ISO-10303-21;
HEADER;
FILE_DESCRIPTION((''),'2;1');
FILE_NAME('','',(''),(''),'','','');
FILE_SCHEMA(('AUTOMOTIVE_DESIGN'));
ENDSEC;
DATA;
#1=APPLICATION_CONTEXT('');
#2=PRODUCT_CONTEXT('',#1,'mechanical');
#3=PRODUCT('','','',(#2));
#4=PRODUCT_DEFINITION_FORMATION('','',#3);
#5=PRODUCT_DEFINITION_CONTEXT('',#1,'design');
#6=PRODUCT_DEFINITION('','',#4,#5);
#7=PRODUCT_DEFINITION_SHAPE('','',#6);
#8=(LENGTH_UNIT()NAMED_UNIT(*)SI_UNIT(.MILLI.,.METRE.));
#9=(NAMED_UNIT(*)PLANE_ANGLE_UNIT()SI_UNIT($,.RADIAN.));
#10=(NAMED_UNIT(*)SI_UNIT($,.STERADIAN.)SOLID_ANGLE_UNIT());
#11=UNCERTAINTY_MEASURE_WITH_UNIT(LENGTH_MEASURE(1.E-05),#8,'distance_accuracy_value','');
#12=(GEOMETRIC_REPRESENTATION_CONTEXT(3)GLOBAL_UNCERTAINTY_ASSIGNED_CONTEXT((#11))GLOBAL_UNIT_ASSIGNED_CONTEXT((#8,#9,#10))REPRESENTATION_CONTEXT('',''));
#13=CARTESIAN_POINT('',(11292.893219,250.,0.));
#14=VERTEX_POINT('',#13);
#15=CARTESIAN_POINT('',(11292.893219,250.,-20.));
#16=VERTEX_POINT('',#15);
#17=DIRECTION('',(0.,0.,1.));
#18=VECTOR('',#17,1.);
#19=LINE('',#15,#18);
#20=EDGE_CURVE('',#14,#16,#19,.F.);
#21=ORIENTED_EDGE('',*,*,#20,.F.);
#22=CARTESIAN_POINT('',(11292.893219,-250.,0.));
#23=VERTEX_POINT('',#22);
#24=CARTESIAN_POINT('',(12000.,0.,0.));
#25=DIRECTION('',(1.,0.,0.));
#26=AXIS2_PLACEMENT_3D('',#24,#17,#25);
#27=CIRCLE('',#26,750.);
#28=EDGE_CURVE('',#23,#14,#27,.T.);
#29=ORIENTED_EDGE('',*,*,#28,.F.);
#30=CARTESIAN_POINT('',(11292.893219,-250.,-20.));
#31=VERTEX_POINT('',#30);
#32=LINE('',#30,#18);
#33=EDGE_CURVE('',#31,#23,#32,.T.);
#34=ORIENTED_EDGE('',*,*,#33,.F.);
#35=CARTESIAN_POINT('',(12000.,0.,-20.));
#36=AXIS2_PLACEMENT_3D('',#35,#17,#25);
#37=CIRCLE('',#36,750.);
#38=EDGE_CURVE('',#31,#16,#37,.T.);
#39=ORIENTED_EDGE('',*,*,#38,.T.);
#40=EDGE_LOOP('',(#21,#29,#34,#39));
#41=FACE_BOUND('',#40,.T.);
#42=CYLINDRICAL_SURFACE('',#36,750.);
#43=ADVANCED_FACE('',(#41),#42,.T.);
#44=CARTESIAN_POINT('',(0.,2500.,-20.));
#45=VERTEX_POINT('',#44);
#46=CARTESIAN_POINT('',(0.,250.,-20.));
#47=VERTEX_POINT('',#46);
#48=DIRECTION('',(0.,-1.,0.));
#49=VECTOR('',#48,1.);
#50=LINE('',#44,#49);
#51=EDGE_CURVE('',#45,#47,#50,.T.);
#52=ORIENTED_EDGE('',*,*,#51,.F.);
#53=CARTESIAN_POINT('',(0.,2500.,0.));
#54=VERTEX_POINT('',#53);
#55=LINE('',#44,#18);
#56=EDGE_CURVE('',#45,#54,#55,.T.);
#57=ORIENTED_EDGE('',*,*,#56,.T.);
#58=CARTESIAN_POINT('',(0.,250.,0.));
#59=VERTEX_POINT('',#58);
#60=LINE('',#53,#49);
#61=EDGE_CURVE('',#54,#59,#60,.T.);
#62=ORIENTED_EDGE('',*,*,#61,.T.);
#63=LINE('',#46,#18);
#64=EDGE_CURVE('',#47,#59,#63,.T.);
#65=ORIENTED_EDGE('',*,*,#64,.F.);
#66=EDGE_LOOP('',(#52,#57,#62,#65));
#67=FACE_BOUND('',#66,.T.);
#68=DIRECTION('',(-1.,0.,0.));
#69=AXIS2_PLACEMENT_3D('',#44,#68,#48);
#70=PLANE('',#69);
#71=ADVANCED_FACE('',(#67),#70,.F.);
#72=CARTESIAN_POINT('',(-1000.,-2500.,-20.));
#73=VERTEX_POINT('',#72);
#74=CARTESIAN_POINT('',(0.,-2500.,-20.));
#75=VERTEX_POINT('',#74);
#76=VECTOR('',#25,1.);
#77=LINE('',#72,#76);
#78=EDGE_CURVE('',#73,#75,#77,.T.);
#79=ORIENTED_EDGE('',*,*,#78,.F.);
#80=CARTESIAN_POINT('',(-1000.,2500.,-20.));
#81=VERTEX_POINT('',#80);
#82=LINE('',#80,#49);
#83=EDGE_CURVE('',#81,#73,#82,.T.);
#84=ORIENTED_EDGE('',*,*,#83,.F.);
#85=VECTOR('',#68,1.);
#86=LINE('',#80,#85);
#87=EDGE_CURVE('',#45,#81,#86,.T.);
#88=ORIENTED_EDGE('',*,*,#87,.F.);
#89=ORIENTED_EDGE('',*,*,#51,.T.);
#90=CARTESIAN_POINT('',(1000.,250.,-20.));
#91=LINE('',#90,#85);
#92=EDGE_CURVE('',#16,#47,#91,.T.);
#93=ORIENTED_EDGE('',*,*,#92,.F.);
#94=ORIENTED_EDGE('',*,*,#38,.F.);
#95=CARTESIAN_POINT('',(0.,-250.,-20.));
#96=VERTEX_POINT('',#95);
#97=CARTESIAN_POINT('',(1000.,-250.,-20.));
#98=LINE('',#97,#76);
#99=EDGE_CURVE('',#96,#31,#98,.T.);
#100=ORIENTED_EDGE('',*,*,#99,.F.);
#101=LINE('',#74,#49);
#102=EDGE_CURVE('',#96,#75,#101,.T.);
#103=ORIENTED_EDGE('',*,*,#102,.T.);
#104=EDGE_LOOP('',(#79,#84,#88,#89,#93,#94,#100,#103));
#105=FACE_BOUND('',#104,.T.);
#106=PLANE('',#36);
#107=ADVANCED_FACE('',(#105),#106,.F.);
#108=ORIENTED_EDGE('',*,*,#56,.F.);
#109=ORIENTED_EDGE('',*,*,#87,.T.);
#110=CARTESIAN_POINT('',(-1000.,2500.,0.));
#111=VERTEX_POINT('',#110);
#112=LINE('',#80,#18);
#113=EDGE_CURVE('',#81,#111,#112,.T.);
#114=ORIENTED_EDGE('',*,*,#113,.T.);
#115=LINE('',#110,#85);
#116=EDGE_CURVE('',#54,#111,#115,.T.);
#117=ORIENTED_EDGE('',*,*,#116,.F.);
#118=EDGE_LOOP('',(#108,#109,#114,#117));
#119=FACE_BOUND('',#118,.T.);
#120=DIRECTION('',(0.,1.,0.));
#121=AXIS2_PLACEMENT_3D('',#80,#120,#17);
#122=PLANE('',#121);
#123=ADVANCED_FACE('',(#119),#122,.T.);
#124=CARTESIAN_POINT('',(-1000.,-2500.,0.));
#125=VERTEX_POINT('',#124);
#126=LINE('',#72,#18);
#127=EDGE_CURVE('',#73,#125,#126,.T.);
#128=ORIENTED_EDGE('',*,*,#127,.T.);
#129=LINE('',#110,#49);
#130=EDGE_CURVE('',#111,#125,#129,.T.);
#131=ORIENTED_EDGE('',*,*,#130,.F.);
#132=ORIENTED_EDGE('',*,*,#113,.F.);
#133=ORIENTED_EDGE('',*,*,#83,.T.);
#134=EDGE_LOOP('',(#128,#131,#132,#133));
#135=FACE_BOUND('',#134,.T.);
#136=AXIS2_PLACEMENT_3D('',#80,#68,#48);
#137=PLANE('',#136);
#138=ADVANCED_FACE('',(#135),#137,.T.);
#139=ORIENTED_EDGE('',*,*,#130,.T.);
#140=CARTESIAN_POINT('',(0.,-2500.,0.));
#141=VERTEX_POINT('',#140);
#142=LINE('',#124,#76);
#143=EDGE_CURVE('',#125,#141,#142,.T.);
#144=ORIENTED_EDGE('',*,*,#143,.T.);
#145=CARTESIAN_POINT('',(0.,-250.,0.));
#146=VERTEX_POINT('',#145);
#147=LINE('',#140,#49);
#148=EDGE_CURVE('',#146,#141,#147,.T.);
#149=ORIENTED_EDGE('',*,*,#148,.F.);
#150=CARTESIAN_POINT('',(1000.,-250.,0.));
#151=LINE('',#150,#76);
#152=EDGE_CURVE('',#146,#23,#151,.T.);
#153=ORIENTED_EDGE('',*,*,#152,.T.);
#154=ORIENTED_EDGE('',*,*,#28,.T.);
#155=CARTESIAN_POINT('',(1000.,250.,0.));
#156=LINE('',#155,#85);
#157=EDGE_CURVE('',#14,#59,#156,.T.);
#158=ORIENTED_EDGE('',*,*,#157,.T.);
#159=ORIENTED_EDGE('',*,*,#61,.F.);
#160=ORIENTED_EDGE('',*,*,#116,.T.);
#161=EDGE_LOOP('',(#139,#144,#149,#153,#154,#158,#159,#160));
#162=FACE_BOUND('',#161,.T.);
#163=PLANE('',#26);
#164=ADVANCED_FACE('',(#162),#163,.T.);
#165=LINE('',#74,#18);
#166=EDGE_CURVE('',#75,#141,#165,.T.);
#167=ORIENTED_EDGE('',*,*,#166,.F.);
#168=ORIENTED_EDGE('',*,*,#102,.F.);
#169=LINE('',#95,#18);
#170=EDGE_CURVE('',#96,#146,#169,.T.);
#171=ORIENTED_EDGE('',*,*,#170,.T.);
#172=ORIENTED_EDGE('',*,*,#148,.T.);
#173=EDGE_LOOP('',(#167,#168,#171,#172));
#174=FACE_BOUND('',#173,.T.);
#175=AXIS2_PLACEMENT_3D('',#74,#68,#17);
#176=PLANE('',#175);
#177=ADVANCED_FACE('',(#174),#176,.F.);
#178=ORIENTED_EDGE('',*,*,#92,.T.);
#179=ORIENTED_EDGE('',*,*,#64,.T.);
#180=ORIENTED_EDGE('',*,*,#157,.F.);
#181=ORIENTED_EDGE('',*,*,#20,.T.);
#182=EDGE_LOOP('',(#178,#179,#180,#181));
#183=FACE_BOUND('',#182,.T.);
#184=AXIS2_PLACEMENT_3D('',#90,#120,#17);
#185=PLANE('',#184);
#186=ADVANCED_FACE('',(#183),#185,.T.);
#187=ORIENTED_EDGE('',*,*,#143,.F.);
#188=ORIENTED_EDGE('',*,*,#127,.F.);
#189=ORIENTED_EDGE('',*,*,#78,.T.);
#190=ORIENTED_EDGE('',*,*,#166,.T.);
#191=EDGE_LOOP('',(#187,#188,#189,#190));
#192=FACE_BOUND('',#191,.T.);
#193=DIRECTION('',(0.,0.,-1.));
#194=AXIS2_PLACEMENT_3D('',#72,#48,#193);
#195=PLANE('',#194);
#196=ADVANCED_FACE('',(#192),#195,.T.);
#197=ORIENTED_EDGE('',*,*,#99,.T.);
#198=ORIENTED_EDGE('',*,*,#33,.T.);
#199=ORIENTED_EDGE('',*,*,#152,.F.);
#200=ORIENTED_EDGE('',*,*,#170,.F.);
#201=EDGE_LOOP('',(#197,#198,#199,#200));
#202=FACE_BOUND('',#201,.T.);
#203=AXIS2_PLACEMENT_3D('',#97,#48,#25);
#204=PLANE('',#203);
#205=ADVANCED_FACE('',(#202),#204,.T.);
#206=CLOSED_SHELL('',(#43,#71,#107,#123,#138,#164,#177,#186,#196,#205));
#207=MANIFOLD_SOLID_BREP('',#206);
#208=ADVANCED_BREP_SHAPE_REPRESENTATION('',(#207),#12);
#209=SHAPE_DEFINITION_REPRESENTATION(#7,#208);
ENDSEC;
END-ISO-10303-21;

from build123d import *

# Parameters (mm, degrees)
BOSS_EXTRUDE1_DEPTH = 20
SKETCH2_W           = 1000
SKETCH2_H           = 2250
CUT_EXTRUDE1_DEPTH  = 12993.801853334
CUT_EXTRUDE4_DEPTH  = 12993.801853334
SKETCH5_W           = 11500
SKETCH5_H           = 500
BOSS_EXTRUDE2_DEPTH = 20


with BuildPart() as part:
    # Sketch1 → Boss-Extrude1 (new body)
    with BuildSketch(Plane.XY):
        with BuildLine():
            Line((1000, 250), (5000, 250))
            Line((5000, 250), (5000, 125))
            Line((5000, 125), (9000, 125))
            Line((9000, 125), (9000, 100))
            Line((9000, 100), (11256.696562634, 100))
            ThreePointArc((11256.696562634, 100), (12750, 0), (11256.696562634, -100))
            Line((11256.696562634, -100), (9000, -100))
            Line((9000, -100), (9000, -125))
            Line((9000, -125), (5000, -125))
            Line((5000, -125), (5000, -250))
            Line((5000, -250), (1000, -250))
            Line((1000, -250), (1000, -2500))
            Line((1000, -2500), (-1000, -2500))
            Line((-1000, -2500), (-1000, 2500))
            Line((-1000, 2500), (1000, 2500))
            Line((1000, 2500), (1000, 250))
        make_face()
    extrude(amount=-BOSS_EXTRUDE1_DEPTH)

    # Sketch2 → Cut-Extrude1 (cut, through all)
    with BuildSketch(Plane.XY):
        with Locations((500, 1375)):
            Rectangle(SKETCH2_W, SKETCH2_H)
        with Locations((500, -1375)):
            Rectangle(SKETCH2_W, SKETCH2_H)
    extrude(amount=-CUT_EXTRUDE1_DEPTH, mode=Mode.SUBTRACT)

    # Sketch3 → Cut-Extrude4 (cut, through all)
    with BuildSketch(Plane.XY):
        Polygon((1500, -250), (3250, -250), (5000, -250), (5000, -150), (3250, -150), (3250, -200), (1500, -200), align=None)
    cut_extrude4 = extrude(amount=-CUT_EXTRUDE4_DEPTH, mode=Mode.SUBTRACT)

    # Mirror1: Cut-Extrude4 across plane
    add(cut_extrude4.mirror(Plane.ZX), mode=Mode.SUBTRACT)

    # Sketch5 → Boss-Extrude2 (add)
    with BuildSketch(Plane.XY):
        with Locations((5750, 0)):
            Rectangle(SKETCH5_W, SKETCH5_H)
    extrude(amount=-BOSS_EXTRUDE2_DEPTH)


solid = part.part
